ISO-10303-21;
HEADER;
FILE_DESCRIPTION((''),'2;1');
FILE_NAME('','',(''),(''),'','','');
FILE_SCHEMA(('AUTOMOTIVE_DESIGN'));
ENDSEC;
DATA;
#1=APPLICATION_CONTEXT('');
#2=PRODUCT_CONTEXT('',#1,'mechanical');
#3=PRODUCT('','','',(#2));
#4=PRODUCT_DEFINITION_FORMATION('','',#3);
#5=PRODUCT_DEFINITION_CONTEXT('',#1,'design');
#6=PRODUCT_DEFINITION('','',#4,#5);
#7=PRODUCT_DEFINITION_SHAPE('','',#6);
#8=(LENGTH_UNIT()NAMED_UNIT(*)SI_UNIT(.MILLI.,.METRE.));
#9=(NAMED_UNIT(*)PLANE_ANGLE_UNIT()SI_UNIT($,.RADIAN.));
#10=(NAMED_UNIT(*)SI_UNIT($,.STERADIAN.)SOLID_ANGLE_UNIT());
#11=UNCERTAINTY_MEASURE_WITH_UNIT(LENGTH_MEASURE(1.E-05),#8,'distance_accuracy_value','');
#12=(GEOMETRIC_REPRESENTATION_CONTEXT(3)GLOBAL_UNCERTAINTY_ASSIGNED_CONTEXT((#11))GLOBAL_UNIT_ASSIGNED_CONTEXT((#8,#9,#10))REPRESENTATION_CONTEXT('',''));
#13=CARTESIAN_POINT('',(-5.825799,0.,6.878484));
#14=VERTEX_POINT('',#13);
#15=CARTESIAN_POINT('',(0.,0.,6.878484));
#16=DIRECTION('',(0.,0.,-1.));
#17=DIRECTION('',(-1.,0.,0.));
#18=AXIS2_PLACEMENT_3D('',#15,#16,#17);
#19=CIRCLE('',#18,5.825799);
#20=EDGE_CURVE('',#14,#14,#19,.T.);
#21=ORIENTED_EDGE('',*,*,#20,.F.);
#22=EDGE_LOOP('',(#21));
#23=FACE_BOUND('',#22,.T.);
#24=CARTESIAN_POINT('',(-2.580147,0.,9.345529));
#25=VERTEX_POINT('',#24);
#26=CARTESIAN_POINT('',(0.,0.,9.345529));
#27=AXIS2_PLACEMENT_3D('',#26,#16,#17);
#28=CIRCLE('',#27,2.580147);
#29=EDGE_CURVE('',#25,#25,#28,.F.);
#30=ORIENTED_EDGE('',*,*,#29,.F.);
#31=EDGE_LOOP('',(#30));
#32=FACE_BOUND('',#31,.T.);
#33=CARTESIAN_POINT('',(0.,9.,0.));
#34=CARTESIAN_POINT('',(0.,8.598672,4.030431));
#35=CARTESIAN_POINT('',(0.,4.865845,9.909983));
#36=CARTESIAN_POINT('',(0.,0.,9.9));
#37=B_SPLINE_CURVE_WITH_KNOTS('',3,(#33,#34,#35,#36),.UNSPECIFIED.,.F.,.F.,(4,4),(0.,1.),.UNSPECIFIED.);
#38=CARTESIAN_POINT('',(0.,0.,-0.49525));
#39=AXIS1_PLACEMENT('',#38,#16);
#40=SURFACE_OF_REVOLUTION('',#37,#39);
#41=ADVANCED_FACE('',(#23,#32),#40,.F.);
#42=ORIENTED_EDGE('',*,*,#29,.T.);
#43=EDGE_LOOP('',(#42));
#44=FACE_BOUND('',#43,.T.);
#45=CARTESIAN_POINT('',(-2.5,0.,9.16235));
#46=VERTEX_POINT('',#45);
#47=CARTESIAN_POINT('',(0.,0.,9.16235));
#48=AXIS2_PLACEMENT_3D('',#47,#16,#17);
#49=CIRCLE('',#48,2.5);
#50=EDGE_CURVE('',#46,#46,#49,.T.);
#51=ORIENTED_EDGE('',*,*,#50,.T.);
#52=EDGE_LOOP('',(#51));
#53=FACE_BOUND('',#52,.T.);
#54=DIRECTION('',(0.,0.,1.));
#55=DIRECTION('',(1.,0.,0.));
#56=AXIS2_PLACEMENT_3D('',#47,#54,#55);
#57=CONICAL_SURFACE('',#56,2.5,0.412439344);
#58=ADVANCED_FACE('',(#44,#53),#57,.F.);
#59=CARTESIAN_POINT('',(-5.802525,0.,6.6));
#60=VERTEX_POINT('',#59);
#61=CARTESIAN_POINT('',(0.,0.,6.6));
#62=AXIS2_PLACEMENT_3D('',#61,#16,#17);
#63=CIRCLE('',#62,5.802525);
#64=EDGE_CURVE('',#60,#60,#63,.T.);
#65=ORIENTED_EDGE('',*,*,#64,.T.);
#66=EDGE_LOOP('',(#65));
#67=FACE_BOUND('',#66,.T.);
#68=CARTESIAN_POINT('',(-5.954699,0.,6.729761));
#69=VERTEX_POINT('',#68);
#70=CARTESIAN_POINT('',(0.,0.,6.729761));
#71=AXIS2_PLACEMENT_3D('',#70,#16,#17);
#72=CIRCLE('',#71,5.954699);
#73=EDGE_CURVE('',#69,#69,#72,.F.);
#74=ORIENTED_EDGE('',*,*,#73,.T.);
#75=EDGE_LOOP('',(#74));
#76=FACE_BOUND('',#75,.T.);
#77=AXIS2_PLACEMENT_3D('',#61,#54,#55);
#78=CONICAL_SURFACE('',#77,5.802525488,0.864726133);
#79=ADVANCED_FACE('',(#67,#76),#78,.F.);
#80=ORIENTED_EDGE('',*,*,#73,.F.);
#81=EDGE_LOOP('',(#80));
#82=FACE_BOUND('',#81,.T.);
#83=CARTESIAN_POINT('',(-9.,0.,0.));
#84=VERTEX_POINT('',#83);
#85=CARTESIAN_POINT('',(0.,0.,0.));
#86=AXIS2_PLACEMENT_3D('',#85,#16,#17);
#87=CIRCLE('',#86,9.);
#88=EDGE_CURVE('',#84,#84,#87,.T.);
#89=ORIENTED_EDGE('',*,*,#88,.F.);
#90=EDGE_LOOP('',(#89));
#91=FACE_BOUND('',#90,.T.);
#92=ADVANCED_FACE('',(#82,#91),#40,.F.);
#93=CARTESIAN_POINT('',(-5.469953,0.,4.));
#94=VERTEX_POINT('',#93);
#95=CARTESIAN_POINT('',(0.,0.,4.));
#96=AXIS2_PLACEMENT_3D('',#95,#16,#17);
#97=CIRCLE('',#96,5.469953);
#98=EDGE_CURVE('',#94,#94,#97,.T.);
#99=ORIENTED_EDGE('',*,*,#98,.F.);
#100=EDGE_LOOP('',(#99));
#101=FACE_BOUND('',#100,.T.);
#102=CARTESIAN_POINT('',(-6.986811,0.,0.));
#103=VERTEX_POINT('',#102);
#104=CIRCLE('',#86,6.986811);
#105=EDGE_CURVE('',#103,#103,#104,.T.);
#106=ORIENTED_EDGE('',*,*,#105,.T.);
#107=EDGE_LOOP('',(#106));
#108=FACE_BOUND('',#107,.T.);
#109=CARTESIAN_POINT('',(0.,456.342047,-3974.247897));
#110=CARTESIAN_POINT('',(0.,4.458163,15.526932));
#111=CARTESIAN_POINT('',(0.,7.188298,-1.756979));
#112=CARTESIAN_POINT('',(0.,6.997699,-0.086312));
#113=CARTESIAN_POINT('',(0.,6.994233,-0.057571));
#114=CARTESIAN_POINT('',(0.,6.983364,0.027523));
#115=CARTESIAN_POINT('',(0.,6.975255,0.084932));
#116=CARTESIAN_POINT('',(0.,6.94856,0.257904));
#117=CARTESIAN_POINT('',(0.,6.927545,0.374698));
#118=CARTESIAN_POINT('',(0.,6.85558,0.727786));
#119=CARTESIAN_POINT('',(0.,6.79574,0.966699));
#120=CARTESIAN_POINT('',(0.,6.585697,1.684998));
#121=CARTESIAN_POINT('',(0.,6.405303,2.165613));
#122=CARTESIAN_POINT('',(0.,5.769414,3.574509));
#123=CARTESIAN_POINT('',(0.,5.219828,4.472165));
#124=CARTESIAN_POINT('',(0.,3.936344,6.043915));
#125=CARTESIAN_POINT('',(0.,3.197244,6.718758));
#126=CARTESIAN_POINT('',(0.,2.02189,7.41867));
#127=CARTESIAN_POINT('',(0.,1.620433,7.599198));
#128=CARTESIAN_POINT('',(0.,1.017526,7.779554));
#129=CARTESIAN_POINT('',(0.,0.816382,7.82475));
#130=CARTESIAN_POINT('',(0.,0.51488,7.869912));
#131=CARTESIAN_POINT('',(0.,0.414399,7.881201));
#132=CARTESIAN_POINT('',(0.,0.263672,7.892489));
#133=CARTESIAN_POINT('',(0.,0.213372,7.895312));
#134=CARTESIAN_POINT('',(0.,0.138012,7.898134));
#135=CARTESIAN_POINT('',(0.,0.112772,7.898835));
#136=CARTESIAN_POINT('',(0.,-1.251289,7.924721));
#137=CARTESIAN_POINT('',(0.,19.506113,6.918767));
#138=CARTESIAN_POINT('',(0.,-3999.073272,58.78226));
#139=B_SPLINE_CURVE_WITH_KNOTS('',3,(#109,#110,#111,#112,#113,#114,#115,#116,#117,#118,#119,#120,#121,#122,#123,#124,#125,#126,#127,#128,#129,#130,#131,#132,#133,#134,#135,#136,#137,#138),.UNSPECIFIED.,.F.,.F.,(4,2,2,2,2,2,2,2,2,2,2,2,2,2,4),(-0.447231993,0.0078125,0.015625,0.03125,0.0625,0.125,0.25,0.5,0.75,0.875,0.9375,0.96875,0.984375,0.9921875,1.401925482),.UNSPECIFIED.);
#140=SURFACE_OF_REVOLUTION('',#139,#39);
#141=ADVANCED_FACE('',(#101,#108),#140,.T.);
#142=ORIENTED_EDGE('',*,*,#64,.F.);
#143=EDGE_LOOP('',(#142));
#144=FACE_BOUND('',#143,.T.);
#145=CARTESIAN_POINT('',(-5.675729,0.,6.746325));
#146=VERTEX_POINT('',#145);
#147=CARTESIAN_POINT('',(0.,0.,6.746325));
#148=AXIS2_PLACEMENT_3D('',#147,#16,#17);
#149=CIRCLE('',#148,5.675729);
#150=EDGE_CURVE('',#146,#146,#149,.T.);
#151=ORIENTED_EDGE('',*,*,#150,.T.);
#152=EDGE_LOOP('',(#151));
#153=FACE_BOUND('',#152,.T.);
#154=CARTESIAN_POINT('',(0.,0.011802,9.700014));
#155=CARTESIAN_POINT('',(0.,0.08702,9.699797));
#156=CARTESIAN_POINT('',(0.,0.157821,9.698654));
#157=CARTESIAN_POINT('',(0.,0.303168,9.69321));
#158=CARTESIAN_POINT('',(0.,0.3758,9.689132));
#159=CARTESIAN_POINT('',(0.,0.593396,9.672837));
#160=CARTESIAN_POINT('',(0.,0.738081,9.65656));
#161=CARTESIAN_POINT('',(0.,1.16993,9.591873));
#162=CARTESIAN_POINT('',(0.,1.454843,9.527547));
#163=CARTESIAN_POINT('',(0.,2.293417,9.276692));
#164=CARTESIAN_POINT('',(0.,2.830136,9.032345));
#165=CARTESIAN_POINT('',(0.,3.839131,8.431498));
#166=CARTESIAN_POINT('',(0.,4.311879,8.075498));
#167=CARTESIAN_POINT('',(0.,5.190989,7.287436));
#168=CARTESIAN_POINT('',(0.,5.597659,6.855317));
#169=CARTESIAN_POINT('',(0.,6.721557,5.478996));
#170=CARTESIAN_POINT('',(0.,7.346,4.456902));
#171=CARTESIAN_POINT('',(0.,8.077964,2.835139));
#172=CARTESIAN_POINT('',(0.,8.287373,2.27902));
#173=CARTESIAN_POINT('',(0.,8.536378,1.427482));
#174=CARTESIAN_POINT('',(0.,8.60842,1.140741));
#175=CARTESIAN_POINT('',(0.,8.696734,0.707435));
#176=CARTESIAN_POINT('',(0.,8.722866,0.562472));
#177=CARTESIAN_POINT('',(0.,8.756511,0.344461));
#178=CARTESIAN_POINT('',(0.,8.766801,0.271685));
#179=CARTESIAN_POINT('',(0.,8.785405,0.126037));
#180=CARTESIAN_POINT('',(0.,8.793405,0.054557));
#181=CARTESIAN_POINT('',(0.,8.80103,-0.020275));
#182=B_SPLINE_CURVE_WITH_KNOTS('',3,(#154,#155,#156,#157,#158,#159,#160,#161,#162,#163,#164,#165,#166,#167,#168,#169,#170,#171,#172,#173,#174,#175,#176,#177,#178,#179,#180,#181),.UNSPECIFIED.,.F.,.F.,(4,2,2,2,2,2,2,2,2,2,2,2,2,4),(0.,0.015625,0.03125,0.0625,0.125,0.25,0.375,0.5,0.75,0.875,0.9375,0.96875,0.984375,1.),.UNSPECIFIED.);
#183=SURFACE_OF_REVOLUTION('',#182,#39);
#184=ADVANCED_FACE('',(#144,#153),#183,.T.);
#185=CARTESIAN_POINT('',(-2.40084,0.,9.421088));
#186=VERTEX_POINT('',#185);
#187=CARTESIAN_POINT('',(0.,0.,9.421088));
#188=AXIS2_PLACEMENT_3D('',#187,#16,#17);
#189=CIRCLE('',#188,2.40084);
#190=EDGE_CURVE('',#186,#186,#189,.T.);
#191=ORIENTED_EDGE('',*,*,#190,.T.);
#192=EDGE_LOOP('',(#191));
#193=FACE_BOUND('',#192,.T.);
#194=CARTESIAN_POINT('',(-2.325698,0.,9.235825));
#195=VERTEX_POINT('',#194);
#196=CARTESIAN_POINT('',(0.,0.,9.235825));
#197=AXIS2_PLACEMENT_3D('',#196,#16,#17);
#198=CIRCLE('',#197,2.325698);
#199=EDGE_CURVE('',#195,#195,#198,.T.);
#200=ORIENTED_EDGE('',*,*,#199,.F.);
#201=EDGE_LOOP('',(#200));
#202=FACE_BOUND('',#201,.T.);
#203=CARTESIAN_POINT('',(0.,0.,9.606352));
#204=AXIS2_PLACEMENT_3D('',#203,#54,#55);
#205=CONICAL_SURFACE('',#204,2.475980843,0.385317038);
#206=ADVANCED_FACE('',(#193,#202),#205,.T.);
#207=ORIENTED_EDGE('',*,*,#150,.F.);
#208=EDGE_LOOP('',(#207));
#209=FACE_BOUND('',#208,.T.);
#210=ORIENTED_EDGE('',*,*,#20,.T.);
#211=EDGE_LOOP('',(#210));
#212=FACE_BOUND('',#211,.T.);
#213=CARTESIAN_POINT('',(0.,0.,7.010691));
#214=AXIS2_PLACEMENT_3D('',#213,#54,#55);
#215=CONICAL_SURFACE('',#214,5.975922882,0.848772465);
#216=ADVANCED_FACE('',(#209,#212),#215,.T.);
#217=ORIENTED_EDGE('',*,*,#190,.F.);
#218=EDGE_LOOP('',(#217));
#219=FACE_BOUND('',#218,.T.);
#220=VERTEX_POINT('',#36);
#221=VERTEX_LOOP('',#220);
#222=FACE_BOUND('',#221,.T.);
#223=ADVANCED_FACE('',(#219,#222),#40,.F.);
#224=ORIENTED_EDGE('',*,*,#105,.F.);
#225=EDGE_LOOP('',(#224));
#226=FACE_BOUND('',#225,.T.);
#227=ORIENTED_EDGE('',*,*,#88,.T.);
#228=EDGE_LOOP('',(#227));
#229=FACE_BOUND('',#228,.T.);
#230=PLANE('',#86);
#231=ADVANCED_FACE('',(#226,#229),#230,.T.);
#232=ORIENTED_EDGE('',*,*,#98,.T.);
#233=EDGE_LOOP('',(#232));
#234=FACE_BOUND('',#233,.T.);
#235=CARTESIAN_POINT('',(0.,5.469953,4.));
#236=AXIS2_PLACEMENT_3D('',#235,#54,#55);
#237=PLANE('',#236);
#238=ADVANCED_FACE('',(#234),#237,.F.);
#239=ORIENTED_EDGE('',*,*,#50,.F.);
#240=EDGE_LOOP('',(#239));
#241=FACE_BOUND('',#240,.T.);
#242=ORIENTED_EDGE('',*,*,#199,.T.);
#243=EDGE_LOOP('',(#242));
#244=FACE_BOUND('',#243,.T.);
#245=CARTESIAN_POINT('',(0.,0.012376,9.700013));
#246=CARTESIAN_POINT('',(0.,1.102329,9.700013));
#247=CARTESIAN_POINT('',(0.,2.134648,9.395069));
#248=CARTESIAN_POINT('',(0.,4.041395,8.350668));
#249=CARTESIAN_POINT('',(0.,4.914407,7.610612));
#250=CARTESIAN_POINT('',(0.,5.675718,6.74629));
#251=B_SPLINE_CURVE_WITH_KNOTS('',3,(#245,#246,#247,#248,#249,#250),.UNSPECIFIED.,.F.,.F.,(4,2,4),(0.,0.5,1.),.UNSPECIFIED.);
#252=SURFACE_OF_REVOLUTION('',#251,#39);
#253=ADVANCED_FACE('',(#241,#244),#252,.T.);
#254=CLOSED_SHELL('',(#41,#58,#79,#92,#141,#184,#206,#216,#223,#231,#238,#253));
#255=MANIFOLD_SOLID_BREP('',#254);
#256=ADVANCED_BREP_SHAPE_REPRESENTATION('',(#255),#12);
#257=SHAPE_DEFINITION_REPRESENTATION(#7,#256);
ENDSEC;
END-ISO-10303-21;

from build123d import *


with BuildPart() as part:
    # Esboço1 → Revolução1 (revolve)
    with BuildSketch(Plane(origin=(0, 0, 0), x_dir=(0, 0, -1), z_dir=(1, 0, 0))):
        with BuildLine():
            Line((-9.9, 0), (0, 0))
            Line((0, 0), (0, 9))
            add(Edge.make_bspline(
                [(-9.9, 0), (-9.909983233, 4.865844561), (-4.030430742, 8.598672438), (0, 9)],
                knots=[0, 0, 0, 0, 1, 1, 1, 1], degree=3))
        make_face()
    revolve(axis=Axis((0, 0, -0.495249581), (0, 0, 1)))

    # Esboço2 → Corte-Revolução1 (revolve, cut)
    with BuildSketch(Plane(origin=(0, 0, 0), x_dir=(0, 0, -1), z_dir=(1, 0, 0))):
        with BuildLine():
            Line((-4, 5.469953061), (-4, 0))
            Line((-4, 0), (1, 0))
            Line((1, 0), (1, 7.09390119))
            add(Edge.make_bspline(
                [(1, 7.09390119), (0.241512964, 7.01284271), (0.209991891, 7.011809212), (0.086311605, 6.997699099), (0.057571185, 6.994232877), (-0.027522658, 6.983363535), (-0.084931827, 6.975254523), (-0.257903575, 6.948559915), (-0.374697634, 6.927544949), (-0.727785948, 6.85558027), (-0.966699441, 6.795740091), (-1.684998489, 6.585696706), (-2.16561255, 6.405303013), (-3.103396143, 5.982045517), (-3.561210819, 5.739533633), (-4, 5.469953061)],
                knots=[-0.018640512, -0.018640512, -0.018640512, -0.018640512, 0.0078125, 0.0078125, 0.015625, 0.015625, 0.03125, 0.03125, 0.0625, 0.0625, 0.125, 0.125, 0.25, 0.25, 0.374605818, 0.374605818, 0.374605818, 0.374605818], degree=3))
        make_face()
    revolve(axis=Axis((0, 0, -0.495249581), (0, 0, 1)), mode=Mode.SUBTRACT)

    # Esboço4 → Corte-Revolução2 (revolve, cut)
    with BuildSketch(Plane(origin=(0, 0, 0), x_dir=(0, 0, -1), z_dir=(1, 0, 0))):
        with BuildLine():
            Line((-7.010691462, 5.975922882), (-6.746324533, 5.675729353))
            add(Edge.make_bspline(
                [(-6.6, 5.802525488), (-6.64911679, 5.760642692), (-6.697896572, 5.718377678), (-6.746324533, 5.675729353)],
                knots=[0.518643322, 0.518643322, 0.518643322, 0.518643322, 0.532269657, 0.532269657, 0.532269657, 0.532269657], degree=3))
            Line((-6.6, 5.802525488), (-6.859541532, 6.106895011))
            add(Edge.make_bspline(
                [(-6.859541532, 6.106895011), (-6.910263, 6.063645619), (-6.960651247, 6.019989162), (-7.010691462, 5.975922882)],
                knots=[0.518640951, 0.518640951, 0.518640951, 0.518640951, 0.532267119, 0.532267119, 0.532267119, 0.532267119], degree=3))
        make_face()
    revolve(axis=Axis((0, 0, -0.495249581), (0, 0, 1)), mode=Mode.SUBTRACT)

    # Esboço5 → Corte-Revolução3 (revolve, cut)
    with BuildSketch(Plane(origin=(0, 0, 0), x_dir=(0, 0, -1), z_dir=(1, 0, 0))):
        with BuildLine():
            Line((-9.528707684, 2.660294167), (-9.162349853, 2.5))
            add(Edge.make_bspline(
                [(-9.162349853, 2.5), (-9.187658731, 2.44215569), (-9.212156272, 2.384053697), (-9.235824688, 2.325698344)],
                knots=[0.601133562, 0.601133562, 0.601133562, 0.601133562, 0.63051293, 0.63051293, 0.63051293, 0.63051293], degree=3))
            Line((-9.235824688, 2.325698344), (-9.606351735, 2.475980843))
            add(Edge.make_bspline(
                [(-9.528707684, 2.660294167), (-9.555435364, 2.599167889), (-9.581323805, 2.537727857), (-9.606351735, 2.475980843)],
                knots=[0.601091643, 0.601091643, 0.601091643, 0.601091643, 0.630455711, 0.630455711, 0.630455711, 0.630455711], degree=3))
        make_face()
    revolve(axis=Axis((0, 0, -0.495249581), (0, 0, 1)), mode=Mode.SUBTRACT)


solid = part.part
